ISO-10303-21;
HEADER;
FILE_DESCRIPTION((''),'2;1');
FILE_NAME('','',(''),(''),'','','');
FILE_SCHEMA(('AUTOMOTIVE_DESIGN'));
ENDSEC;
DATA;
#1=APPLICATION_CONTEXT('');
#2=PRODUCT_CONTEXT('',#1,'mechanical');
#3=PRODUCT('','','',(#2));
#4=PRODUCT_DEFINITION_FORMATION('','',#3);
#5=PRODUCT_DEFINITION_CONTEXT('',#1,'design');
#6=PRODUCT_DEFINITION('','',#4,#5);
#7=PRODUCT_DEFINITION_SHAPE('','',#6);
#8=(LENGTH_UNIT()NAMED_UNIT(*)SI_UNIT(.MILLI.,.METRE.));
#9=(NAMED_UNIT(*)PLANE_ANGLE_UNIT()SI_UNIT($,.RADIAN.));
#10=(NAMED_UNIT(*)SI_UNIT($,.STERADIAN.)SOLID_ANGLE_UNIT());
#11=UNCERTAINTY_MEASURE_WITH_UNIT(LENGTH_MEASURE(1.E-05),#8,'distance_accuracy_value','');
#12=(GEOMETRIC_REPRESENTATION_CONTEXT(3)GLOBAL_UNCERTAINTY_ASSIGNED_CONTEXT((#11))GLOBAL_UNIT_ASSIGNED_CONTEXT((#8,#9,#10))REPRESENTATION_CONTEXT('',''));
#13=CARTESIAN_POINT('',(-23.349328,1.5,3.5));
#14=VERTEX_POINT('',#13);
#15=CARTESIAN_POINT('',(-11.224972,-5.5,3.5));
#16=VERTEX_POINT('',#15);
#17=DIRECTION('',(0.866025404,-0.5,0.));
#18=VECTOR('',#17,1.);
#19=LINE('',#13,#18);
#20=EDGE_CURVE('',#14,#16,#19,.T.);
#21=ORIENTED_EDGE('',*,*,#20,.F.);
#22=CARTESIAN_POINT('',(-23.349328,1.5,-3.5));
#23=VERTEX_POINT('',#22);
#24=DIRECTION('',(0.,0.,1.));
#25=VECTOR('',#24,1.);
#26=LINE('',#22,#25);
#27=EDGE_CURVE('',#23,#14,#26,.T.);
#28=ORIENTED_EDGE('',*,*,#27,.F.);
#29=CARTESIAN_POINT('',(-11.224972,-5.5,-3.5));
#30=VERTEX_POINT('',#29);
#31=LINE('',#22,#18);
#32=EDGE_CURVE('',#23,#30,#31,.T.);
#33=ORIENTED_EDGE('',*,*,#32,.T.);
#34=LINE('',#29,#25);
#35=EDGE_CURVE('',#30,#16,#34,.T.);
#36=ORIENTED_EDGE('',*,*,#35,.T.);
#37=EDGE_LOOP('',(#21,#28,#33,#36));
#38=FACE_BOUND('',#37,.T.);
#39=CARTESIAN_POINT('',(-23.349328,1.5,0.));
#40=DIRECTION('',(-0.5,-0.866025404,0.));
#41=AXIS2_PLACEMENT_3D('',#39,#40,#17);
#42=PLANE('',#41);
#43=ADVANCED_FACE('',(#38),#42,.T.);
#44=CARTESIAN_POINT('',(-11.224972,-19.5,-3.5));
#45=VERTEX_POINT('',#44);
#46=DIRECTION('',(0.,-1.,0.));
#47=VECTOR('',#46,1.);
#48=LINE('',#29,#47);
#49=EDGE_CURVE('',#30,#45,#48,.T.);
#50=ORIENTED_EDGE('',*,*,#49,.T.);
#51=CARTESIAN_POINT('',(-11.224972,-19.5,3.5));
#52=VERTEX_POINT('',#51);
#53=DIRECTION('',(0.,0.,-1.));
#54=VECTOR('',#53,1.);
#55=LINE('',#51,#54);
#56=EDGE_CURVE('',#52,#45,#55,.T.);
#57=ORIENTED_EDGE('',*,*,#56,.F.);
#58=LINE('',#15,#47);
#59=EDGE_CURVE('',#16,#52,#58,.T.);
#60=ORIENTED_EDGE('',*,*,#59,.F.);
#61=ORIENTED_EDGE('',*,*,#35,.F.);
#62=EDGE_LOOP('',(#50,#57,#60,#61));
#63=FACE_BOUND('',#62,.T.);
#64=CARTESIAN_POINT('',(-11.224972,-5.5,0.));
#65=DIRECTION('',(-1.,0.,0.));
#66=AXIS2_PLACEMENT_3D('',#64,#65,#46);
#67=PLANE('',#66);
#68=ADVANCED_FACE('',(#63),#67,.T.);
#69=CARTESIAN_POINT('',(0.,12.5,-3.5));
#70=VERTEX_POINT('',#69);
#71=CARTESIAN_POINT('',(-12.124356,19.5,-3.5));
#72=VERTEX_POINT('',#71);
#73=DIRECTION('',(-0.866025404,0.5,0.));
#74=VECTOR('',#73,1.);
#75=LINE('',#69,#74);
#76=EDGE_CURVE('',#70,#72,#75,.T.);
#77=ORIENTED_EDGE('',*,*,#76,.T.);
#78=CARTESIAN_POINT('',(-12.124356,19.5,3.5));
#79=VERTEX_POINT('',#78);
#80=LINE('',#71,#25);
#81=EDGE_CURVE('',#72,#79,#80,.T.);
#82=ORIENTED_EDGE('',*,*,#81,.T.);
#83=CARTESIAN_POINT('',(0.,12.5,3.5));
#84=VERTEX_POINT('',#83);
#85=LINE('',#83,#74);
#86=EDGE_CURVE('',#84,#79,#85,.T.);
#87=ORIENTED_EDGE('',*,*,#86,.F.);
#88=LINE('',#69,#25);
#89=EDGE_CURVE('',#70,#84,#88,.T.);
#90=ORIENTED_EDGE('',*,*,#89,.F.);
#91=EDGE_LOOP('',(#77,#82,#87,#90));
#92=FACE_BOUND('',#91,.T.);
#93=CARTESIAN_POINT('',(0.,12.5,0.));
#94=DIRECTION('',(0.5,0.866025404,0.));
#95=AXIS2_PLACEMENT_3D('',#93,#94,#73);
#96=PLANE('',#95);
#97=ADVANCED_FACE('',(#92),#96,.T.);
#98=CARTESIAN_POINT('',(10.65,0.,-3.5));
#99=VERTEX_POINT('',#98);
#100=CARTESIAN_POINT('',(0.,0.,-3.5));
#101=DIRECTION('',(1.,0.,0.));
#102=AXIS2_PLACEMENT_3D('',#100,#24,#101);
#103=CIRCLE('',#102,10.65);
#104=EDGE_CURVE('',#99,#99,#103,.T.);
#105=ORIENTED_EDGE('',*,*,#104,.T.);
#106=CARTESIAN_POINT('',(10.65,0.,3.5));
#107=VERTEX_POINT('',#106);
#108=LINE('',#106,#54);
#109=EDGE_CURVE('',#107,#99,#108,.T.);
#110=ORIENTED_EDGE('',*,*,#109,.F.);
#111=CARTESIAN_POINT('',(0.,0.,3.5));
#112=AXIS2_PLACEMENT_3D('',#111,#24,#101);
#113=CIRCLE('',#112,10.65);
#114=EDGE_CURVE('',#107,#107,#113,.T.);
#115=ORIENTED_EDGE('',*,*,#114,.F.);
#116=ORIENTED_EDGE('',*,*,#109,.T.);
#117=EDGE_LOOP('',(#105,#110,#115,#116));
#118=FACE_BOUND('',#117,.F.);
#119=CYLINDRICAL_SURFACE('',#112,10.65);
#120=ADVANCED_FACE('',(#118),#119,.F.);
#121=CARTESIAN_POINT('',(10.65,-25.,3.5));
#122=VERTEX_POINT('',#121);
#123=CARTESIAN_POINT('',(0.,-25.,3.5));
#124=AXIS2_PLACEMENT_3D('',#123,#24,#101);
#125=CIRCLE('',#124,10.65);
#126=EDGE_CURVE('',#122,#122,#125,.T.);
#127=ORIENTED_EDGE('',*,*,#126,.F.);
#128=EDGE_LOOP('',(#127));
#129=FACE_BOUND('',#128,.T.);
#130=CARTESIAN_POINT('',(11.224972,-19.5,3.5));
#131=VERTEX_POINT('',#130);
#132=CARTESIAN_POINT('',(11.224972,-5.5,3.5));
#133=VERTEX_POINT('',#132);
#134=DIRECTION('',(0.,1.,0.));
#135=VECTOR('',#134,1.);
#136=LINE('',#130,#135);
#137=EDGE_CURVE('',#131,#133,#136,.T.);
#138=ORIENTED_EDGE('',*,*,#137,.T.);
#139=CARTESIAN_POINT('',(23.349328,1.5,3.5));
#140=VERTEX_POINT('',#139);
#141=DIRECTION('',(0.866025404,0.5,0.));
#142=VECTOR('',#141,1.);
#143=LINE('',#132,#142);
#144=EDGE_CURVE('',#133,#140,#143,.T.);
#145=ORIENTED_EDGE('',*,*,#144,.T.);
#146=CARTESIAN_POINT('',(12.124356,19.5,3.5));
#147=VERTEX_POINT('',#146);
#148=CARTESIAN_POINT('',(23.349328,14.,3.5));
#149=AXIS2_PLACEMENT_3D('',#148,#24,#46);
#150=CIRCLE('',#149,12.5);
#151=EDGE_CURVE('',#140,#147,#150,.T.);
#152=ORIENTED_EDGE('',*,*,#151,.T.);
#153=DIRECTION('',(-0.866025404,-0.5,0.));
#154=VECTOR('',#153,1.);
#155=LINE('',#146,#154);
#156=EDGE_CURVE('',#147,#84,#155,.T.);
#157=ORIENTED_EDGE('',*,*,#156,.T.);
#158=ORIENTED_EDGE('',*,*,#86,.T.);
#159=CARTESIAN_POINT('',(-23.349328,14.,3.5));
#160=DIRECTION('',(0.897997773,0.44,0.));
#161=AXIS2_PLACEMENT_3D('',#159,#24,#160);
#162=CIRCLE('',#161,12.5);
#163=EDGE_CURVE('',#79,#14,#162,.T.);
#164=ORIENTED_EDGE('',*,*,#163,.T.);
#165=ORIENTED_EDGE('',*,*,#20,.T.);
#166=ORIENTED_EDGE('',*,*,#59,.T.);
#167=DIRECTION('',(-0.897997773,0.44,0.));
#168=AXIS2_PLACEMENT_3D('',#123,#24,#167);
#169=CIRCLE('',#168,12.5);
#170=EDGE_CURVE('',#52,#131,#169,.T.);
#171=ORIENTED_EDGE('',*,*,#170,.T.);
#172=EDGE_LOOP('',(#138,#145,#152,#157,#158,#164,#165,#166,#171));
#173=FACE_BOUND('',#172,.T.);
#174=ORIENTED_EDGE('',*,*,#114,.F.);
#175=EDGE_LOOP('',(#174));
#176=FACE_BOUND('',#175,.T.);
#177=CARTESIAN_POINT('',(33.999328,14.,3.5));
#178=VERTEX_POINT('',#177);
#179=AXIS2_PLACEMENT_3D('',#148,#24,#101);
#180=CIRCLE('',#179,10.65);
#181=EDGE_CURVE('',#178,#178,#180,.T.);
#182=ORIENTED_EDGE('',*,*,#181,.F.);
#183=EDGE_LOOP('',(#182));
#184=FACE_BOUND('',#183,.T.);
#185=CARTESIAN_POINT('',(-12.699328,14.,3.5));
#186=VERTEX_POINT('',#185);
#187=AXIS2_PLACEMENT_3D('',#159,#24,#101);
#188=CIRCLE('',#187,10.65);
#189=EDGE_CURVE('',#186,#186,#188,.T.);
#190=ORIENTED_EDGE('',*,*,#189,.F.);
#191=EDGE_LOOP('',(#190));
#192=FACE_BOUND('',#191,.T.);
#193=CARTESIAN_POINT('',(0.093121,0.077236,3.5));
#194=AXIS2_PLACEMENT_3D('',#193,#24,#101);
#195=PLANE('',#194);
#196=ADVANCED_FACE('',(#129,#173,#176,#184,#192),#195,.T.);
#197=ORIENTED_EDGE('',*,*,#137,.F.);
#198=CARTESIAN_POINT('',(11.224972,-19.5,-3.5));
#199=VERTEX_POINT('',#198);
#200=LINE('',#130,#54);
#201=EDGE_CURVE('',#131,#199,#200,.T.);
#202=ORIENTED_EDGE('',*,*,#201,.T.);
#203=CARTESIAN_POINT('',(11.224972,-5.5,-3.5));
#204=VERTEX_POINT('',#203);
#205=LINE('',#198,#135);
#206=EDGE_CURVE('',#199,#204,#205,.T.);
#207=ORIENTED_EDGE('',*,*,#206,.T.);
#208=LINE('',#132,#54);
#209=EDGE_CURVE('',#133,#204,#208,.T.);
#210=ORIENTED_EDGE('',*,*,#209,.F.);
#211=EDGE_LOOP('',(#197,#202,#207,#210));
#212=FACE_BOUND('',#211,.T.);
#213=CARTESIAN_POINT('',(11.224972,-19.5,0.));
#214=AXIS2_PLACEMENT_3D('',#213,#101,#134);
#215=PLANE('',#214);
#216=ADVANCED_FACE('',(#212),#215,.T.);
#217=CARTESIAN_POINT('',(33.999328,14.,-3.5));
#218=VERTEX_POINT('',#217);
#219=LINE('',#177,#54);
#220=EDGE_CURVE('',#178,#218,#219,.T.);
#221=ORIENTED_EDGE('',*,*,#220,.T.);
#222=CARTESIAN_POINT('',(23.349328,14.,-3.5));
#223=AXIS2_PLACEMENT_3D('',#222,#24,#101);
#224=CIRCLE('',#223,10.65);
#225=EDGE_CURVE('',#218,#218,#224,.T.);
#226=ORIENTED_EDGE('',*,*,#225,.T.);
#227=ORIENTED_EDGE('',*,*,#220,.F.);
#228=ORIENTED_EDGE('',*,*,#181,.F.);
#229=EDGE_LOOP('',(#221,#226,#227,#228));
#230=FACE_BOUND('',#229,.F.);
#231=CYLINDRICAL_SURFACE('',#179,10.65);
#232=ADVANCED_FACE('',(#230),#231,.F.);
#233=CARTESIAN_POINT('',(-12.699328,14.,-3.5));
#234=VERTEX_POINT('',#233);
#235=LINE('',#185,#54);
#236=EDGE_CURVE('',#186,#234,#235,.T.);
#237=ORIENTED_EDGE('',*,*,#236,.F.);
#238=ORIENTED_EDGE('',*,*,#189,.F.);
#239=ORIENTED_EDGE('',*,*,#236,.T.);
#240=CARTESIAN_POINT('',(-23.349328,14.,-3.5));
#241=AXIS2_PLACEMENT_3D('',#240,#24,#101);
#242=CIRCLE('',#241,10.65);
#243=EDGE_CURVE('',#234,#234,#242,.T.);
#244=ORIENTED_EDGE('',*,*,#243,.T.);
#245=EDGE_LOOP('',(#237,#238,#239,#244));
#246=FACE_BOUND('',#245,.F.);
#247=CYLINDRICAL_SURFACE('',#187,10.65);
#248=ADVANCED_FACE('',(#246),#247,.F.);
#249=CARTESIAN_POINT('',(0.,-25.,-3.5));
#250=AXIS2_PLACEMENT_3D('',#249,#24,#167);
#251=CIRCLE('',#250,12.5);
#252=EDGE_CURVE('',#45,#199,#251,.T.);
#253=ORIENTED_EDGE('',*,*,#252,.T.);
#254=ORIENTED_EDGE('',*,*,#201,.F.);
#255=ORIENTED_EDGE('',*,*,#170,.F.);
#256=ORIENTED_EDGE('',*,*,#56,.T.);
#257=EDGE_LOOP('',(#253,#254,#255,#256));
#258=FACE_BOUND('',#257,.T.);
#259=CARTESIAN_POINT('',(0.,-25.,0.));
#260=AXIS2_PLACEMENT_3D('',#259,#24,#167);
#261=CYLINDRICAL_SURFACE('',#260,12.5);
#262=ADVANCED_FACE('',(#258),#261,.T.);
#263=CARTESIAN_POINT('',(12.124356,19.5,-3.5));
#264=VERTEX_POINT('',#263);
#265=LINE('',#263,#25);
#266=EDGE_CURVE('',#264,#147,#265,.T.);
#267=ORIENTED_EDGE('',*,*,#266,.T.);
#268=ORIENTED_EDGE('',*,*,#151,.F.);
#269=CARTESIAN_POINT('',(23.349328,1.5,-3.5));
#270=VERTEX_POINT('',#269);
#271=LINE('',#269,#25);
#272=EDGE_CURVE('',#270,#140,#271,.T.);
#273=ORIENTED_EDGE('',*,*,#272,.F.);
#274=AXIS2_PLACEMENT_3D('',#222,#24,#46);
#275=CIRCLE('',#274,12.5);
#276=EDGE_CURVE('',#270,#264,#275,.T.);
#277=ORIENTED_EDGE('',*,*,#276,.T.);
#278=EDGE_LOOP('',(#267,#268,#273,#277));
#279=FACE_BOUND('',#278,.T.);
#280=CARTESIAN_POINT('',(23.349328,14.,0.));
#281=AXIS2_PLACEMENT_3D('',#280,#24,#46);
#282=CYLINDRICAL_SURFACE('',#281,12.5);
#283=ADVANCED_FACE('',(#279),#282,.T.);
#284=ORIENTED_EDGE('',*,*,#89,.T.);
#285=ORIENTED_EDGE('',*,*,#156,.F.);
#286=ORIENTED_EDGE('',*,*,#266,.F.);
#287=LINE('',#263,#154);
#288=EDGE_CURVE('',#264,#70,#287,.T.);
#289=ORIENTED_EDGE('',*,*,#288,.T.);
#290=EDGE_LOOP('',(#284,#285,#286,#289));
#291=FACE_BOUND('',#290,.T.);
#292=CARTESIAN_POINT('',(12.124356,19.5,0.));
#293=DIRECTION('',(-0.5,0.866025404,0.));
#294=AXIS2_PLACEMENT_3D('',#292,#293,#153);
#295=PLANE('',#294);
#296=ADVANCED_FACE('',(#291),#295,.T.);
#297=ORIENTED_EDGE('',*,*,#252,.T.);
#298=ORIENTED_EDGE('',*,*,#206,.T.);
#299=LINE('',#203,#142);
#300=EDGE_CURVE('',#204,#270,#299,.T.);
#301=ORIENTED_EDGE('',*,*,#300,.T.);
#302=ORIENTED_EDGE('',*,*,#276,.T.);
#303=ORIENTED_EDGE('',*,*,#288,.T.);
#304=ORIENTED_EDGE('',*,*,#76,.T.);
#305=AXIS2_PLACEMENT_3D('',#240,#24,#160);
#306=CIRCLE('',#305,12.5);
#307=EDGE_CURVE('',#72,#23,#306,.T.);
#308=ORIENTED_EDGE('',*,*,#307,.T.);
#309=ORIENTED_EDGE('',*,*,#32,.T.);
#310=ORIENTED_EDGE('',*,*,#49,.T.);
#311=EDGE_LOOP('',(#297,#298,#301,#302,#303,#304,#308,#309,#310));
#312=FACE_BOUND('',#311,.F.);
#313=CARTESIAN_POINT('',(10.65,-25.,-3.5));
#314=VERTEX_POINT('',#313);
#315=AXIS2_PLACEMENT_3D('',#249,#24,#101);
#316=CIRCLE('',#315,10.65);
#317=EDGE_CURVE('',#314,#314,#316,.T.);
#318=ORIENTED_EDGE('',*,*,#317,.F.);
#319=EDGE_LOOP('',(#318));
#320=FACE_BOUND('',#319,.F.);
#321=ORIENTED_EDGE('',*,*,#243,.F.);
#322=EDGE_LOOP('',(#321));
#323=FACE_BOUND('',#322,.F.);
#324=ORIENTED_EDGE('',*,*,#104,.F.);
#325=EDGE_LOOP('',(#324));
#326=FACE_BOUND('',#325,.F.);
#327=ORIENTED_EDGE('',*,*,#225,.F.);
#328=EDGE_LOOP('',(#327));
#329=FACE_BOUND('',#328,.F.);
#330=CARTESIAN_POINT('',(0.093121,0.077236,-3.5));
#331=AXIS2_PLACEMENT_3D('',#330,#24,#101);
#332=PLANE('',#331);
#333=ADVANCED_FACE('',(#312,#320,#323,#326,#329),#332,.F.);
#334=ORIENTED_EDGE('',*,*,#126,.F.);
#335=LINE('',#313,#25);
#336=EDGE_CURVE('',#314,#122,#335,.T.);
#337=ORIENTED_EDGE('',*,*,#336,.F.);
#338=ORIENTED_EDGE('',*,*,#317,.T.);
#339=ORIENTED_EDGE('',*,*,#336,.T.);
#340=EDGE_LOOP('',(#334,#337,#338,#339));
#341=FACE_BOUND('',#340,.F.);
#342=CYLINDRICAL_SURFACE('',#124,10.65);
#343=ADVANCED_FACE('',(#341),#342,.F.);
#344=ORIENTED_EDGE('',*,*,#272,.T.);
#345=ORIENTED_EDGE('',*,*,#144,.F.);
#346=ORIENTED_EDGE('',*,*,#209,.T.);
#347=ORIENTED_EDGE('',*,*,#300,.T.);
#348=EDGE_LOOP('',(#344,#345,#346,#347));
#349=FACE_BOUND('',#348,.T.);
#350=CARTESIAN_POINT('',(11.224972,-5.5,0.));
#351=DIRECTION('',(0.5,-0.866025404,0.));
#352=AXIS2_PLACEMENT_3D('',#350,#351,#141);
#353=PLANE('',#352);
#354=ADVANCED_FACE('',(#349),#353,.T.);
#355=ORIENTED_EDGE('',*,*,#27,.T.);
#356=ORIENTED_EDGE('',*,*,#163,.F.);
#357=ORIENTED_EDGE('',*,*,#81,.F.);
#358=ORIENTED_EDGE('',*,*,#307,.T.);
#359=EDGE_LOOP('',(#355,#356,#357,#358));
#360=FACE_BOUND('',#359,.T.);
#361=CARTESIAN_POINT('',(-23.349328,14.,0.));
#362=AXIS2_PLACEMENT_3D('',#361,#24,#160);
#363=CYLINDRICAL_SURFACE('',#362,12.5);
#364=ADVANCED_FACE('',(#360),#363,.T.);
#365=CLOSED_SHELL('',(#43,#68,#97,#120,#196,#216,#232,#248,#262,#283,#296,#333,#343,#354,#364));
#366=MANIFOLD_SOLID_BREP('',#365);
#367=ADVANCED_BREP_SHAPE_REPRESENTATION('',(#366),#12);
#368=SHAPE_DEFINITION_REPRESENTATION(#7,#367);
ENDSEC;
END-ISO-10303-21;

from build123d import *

# Parameters (mm, degrees)
F1_DEPTH = 3.5
F2_R     = 10.65
F3_DEPTH = 7


with BuildPart() as f1:
    # F0 (on Top) → F1 (new body, symmetric)
    with BuildSketch(Plane.XY):
        with BuildLine():
            ThreePointArc((11.2249721603, -5.5), (12.1770717335, -2.8229282665), (12.5, 0))
            ThreePointArc((12.5, 0), (8.8388347648, 8.8388347648), (0, 12.5))
            ThreePointArc((0, 12.5), (-10.6066017178, 6.6143782777), (-11.2249721603, -5.5))
            ThreePointArc((-11.2249721603, -5.5), (0, -12.5), (11.2249721603, -5.5))
        make_face()
        with BuildLine():
            ThreePointArc((0, 12.5), (8.8388347648, 8.8388347648), (12.5, 0))
            ThreePointArc((12.5, 0), (12.1770717335, -2.8229282665), (11.2249721603, -5.5))
            Line((11.2249721603, -5.5), (23.3493278133, 1.5))
            ThreePointArc((23.3493278133, 1.5), (33.9559295311, 20.6143782777), (12.124355653, 19.5))
            Line((12.124355653, 19.5), (0, 12.5))
        make_face()
        with BuildLine():
            ThreePointArc((-11.2249721603, -5.5), (-10.6066017178, 6.6143782777), (0, 12.5))
            Line((0, 12.5), (-12.124355653, 19.5))
            ThreePointArc((-12.124355653, 19.5), (-33.9559295311, 20.6143782777), (-23.3493278133, 1.5))
            Line((-23.3493278133, 1.5), (-11.2249721603, -5.5))
        make_face()
        with BuildLine():
            Line((11.2249721603, -19.5), (11.2249721603, -5.5))
            ThreePointArc((11.2249721603, -5.5), (0, -12.5), (-11.2249721603, -5.5))
            Line((-11.2249721603, -5.5), (-11.2249721603, -19.5))
            ThreePointArc((-11.2249721603, -19.5), (0, -37.5), (11.2249721603, -19.5))
        make_face()
    extrude(amount=F1_DEPTH, both=True)

    # F2 (on face) → F3 (cut, symmetric)
    with BuildSketch(Plane.XY.offset(3.5)):
        with Locations((-23.3493278133, 14)):
            Circle(F2_R)
        Circle(F2_R)
        with Locations((23.3493278133, 14)):
            Circle(F2_R)
        with Locations((0, -25)):
            Circle(F2_R)
    extrude(amount=F3_DEPTH, both=True, mode=Mode.SUBTRACT)


solid = f1.part
